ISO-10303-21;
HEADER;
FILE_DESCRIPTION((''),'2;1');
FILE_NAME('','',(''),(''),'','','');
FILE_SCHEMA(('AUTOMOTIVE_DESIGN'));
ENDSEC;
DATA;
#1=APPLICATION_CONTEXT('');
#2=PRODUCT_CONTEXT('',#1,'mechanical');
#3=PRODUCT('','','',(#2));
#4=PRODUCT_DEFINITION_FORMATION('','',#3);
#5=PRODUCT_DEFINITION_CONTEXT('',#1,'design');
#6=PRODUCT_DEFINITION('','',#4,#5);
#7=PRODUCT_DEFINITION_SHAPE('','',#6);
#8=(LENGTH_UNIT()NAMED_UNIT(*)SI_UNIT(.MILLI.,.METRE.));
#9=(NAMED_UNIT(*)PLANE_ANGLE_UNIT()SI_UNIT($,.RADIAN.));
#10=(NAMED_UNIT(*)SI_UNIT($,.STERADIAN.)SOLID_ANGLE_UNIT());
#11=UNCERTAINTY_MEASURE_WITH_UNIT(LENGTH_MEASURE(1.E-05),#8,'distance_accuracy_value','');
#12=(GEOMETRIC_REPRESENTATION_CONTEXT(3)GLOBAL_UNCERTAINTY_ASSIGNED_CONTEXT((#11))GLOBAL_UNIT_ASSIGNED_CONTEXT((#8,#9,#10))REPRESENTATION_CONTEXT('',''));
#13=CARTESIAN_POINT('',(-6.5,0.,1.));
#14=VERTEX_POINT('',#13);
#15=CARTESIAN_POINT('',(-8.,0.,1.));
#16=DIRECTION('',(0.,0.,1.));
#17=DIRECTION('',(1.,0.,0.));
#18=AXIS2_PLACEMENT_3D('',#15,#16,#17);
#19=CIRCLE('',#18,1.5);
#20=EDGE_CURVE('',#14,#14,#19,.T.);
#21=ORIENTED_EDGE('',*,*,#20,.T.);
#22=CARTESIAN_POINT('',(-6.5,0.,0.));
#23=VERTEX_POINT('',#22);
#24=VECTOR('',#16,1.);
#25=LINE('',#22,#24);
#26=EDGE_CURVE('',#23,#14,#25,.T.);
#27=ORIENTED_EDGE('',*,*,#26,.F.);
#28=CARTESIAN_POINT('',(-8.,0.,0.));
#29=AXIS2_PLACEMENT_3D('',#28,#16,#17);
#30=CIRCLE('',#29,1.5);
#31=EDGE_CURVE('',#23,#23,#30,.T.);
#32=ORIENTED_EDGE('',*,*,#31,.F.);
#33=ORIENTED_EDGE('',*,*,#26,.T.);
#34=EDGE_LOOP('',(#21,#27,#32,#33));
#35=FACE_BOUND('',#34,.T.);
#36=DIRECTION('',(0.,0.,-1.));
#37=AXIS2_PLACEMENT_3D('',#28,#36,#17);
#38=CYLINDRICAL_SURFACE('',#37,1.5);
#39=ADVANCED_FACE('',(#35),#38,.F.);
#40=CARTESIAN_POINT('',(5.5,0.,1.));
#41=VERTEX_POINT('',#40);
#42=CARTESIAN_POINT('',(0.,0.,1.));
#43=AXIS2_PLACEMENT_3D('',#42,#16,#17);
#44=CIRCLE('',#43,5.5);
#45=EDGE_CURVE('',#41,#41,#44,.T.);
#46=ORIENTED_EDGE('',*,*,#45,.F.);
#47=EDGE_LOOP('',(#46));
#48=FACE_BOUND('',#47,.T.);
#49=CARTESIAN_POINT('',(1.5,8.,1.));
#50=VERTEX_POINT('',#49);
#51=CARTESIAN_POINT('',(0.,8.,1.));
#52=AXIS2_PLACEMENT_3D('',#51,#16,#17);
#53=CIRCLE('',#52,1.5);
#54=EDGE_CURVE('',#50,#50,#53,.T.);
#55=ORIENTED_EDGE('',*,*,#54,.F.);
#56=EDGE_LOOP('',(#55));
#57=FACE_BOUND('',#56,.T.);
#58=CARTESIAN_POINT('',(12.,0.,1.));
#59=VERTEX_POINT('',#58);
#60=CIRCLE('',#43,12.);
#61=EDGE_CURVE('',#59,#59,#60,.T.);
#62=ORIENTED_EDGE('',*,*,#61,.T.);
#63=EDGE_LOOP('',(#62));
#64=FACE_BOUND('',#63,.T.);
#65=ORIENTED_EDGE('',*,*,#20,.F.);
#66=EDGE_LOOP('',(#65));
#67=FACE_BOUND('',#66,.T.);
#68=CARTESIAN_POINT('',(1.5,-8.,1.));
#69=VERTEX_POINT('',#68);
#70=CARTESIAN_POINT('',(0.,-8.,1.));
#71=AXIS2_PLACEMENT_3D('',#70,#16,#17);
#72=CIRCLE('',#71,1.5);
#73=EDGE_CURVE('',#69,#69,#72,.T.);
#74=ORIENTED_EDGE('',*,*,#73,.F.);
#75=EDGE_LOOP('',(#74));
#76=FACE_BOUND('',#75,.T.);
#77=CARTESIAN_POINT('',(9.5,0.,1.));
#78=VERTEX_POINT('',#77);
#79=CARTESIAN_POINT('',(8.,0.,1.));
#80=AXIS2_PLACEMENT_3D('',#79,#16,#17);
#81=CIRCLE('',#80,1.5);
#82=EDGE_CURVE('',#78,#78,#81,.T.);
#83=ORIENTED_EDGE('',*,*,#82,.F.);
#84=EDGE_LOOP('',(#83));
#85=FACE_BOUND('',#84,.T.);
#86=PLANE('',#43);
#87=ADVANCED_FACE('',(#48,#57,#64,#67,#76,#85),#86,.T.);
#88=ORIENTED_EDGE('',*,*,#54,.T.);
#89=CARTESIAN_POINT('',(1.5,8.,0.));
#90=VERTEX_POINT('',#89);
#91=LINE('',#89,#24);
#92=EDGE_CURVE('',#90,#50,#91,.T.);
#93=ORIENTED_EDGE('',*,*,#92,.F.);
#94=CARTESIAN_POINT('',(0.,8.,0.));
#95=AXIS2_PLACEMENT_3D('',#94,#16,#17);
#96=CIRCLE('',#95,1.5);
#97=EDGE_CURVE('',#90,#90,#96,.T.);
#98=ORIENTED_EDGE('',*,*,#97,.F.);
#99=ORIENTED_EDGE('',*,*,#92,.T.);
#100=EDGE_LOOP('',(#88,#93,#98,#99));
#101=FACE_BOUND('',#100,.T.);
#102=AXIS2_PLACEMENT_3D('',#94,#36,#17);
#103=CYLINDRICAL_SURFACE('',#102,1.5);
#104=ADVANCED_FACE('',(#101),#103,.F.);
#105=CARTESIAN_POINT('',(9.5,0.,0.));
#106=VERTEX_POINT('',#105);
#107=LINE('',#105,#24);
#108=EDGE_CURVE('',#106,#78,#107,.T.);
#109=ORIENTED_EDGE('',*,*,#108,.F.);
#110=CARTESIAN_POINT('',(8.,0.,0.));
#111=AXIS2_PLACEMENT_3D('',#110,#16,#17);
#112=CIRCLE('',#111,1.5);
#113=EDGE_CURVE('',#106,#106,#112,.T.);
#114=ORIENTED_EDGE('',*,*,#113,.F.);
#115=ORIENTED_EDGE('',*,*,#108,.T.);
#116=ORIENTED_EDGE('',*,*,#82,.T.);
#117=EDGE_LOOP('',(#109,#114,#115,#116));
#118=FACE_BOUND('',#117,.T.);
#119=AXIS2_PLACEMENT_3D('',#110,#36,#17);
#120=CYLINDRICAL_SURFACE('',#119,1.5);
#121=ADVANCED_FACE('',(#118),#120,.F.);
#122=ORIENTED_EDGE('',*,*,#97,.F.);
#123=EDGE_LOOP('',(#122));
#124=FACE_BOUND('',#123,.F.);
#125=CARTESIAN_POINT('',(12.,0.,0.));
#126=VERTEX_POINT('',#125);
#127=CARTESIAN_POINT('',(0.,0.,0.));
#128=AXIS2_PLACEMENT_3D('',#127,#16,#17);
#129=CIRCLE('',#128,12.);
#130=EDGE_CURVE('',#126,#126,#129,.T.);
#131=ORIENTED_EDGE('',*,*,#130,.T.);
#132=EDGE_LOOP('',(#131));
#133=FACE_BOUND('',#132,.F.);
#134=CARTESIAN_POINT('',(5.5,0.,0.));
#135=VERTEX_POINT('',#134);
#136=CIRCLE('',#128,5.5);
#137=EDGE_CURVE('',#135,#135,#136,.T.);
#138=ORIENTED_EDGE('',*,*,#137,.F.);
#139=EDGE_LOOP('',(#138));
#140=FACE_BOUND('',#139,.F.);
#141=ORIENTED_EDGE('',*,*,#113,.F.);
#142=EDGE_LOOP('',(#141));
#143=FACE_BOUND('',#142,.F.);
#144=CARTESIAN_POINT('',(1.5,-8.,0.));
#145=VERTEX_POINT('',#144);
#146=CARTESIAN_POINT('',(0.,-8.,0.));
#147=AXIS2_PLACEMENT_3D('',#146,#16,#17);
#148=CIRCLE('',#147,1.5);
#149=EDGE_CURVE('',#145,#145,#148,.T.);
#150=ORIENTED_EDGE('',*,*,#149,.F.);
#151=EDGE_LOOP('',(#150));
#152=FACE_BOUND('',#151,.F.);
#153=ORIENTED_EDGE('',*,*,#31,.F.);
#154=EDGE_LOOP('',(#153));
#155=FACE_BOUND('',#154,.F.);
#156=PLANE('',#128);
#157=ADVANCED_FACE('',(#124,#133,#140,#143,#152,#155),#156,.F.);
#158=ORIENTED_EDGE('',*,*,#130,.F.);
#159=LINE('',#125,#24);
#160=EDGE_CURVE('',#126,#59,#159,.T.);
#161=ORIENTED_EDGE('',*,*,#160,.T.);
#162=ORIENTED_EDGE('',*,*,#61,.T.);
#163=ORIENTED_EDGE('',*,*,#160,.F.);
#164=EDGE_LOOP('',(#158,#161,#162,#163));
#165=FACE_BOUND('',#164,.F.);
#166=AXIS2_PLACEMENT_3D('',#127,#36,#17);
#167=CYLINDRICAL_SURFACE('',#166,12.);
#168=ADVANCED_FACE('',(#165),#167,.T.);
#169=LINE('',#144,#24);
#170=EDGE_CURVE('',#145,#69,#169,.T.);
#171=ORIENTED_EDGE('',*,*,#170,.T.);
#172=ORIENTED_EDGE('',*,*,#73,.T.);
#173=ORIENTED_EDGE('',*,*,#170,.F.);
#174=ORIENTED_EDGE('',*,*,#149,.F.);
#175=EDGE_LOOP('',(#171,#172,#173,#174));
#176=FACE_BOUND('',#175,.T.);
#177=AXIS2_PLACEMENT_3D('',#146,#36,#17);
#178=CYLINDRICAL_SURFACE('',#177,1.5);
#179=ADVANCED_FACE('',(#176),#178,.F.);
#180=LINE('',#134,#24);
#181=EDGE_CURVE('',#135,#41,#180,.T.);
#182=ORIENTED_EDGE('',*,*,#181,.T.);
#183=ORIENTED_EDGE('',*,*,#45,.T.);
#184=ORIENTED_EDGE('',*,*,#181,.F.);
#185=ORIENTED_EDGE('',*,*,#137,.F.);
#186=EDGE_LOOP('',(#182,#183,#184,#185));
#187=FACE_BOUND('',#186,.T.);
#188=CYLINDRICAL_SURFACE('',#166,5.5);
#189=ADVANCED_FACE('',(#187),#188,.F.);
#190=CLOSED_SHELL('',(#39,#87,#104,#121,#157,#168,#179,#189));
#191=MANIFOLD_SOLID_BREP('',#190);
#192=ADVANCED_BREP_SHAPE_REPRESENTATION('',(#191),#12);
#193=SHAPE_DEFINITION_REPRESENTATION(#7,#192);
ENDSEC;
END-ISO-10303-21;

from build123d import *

# Parameters (mm, degrees)
SKETCH_R   = 12
SKETCH_R_2 = 1.5
SKETCH_R_3 = 5.5
PAD_DEPTH  = 1


with BuildPart() as part:
    # Sketch → Pad (new body)
    with BuildSketch(Plane.XY):
        Circle(SKETCH_R)
        with Locations((0, 8)):
            Circle(SKETCH_R_2, mode=Mode.SUBTRACT)
        with Locations((-8, 0)):
            Circle(SKETCH_R_2, mode=Mode.SUBTRACT)
        with Locations((0, -8)):
            Circle(SKETCH_R_2, mode=Mode.SUBTRACT)
        with Locations((8, 0)):
            Circle(SKETCH_R_2, mode=Mode.SUBTRACT)
        Circle(SKETCH_R_3, mode=Mode.SUBTRACT)
    extrude(amount=PAD_DEPTH)


solid = part.part
